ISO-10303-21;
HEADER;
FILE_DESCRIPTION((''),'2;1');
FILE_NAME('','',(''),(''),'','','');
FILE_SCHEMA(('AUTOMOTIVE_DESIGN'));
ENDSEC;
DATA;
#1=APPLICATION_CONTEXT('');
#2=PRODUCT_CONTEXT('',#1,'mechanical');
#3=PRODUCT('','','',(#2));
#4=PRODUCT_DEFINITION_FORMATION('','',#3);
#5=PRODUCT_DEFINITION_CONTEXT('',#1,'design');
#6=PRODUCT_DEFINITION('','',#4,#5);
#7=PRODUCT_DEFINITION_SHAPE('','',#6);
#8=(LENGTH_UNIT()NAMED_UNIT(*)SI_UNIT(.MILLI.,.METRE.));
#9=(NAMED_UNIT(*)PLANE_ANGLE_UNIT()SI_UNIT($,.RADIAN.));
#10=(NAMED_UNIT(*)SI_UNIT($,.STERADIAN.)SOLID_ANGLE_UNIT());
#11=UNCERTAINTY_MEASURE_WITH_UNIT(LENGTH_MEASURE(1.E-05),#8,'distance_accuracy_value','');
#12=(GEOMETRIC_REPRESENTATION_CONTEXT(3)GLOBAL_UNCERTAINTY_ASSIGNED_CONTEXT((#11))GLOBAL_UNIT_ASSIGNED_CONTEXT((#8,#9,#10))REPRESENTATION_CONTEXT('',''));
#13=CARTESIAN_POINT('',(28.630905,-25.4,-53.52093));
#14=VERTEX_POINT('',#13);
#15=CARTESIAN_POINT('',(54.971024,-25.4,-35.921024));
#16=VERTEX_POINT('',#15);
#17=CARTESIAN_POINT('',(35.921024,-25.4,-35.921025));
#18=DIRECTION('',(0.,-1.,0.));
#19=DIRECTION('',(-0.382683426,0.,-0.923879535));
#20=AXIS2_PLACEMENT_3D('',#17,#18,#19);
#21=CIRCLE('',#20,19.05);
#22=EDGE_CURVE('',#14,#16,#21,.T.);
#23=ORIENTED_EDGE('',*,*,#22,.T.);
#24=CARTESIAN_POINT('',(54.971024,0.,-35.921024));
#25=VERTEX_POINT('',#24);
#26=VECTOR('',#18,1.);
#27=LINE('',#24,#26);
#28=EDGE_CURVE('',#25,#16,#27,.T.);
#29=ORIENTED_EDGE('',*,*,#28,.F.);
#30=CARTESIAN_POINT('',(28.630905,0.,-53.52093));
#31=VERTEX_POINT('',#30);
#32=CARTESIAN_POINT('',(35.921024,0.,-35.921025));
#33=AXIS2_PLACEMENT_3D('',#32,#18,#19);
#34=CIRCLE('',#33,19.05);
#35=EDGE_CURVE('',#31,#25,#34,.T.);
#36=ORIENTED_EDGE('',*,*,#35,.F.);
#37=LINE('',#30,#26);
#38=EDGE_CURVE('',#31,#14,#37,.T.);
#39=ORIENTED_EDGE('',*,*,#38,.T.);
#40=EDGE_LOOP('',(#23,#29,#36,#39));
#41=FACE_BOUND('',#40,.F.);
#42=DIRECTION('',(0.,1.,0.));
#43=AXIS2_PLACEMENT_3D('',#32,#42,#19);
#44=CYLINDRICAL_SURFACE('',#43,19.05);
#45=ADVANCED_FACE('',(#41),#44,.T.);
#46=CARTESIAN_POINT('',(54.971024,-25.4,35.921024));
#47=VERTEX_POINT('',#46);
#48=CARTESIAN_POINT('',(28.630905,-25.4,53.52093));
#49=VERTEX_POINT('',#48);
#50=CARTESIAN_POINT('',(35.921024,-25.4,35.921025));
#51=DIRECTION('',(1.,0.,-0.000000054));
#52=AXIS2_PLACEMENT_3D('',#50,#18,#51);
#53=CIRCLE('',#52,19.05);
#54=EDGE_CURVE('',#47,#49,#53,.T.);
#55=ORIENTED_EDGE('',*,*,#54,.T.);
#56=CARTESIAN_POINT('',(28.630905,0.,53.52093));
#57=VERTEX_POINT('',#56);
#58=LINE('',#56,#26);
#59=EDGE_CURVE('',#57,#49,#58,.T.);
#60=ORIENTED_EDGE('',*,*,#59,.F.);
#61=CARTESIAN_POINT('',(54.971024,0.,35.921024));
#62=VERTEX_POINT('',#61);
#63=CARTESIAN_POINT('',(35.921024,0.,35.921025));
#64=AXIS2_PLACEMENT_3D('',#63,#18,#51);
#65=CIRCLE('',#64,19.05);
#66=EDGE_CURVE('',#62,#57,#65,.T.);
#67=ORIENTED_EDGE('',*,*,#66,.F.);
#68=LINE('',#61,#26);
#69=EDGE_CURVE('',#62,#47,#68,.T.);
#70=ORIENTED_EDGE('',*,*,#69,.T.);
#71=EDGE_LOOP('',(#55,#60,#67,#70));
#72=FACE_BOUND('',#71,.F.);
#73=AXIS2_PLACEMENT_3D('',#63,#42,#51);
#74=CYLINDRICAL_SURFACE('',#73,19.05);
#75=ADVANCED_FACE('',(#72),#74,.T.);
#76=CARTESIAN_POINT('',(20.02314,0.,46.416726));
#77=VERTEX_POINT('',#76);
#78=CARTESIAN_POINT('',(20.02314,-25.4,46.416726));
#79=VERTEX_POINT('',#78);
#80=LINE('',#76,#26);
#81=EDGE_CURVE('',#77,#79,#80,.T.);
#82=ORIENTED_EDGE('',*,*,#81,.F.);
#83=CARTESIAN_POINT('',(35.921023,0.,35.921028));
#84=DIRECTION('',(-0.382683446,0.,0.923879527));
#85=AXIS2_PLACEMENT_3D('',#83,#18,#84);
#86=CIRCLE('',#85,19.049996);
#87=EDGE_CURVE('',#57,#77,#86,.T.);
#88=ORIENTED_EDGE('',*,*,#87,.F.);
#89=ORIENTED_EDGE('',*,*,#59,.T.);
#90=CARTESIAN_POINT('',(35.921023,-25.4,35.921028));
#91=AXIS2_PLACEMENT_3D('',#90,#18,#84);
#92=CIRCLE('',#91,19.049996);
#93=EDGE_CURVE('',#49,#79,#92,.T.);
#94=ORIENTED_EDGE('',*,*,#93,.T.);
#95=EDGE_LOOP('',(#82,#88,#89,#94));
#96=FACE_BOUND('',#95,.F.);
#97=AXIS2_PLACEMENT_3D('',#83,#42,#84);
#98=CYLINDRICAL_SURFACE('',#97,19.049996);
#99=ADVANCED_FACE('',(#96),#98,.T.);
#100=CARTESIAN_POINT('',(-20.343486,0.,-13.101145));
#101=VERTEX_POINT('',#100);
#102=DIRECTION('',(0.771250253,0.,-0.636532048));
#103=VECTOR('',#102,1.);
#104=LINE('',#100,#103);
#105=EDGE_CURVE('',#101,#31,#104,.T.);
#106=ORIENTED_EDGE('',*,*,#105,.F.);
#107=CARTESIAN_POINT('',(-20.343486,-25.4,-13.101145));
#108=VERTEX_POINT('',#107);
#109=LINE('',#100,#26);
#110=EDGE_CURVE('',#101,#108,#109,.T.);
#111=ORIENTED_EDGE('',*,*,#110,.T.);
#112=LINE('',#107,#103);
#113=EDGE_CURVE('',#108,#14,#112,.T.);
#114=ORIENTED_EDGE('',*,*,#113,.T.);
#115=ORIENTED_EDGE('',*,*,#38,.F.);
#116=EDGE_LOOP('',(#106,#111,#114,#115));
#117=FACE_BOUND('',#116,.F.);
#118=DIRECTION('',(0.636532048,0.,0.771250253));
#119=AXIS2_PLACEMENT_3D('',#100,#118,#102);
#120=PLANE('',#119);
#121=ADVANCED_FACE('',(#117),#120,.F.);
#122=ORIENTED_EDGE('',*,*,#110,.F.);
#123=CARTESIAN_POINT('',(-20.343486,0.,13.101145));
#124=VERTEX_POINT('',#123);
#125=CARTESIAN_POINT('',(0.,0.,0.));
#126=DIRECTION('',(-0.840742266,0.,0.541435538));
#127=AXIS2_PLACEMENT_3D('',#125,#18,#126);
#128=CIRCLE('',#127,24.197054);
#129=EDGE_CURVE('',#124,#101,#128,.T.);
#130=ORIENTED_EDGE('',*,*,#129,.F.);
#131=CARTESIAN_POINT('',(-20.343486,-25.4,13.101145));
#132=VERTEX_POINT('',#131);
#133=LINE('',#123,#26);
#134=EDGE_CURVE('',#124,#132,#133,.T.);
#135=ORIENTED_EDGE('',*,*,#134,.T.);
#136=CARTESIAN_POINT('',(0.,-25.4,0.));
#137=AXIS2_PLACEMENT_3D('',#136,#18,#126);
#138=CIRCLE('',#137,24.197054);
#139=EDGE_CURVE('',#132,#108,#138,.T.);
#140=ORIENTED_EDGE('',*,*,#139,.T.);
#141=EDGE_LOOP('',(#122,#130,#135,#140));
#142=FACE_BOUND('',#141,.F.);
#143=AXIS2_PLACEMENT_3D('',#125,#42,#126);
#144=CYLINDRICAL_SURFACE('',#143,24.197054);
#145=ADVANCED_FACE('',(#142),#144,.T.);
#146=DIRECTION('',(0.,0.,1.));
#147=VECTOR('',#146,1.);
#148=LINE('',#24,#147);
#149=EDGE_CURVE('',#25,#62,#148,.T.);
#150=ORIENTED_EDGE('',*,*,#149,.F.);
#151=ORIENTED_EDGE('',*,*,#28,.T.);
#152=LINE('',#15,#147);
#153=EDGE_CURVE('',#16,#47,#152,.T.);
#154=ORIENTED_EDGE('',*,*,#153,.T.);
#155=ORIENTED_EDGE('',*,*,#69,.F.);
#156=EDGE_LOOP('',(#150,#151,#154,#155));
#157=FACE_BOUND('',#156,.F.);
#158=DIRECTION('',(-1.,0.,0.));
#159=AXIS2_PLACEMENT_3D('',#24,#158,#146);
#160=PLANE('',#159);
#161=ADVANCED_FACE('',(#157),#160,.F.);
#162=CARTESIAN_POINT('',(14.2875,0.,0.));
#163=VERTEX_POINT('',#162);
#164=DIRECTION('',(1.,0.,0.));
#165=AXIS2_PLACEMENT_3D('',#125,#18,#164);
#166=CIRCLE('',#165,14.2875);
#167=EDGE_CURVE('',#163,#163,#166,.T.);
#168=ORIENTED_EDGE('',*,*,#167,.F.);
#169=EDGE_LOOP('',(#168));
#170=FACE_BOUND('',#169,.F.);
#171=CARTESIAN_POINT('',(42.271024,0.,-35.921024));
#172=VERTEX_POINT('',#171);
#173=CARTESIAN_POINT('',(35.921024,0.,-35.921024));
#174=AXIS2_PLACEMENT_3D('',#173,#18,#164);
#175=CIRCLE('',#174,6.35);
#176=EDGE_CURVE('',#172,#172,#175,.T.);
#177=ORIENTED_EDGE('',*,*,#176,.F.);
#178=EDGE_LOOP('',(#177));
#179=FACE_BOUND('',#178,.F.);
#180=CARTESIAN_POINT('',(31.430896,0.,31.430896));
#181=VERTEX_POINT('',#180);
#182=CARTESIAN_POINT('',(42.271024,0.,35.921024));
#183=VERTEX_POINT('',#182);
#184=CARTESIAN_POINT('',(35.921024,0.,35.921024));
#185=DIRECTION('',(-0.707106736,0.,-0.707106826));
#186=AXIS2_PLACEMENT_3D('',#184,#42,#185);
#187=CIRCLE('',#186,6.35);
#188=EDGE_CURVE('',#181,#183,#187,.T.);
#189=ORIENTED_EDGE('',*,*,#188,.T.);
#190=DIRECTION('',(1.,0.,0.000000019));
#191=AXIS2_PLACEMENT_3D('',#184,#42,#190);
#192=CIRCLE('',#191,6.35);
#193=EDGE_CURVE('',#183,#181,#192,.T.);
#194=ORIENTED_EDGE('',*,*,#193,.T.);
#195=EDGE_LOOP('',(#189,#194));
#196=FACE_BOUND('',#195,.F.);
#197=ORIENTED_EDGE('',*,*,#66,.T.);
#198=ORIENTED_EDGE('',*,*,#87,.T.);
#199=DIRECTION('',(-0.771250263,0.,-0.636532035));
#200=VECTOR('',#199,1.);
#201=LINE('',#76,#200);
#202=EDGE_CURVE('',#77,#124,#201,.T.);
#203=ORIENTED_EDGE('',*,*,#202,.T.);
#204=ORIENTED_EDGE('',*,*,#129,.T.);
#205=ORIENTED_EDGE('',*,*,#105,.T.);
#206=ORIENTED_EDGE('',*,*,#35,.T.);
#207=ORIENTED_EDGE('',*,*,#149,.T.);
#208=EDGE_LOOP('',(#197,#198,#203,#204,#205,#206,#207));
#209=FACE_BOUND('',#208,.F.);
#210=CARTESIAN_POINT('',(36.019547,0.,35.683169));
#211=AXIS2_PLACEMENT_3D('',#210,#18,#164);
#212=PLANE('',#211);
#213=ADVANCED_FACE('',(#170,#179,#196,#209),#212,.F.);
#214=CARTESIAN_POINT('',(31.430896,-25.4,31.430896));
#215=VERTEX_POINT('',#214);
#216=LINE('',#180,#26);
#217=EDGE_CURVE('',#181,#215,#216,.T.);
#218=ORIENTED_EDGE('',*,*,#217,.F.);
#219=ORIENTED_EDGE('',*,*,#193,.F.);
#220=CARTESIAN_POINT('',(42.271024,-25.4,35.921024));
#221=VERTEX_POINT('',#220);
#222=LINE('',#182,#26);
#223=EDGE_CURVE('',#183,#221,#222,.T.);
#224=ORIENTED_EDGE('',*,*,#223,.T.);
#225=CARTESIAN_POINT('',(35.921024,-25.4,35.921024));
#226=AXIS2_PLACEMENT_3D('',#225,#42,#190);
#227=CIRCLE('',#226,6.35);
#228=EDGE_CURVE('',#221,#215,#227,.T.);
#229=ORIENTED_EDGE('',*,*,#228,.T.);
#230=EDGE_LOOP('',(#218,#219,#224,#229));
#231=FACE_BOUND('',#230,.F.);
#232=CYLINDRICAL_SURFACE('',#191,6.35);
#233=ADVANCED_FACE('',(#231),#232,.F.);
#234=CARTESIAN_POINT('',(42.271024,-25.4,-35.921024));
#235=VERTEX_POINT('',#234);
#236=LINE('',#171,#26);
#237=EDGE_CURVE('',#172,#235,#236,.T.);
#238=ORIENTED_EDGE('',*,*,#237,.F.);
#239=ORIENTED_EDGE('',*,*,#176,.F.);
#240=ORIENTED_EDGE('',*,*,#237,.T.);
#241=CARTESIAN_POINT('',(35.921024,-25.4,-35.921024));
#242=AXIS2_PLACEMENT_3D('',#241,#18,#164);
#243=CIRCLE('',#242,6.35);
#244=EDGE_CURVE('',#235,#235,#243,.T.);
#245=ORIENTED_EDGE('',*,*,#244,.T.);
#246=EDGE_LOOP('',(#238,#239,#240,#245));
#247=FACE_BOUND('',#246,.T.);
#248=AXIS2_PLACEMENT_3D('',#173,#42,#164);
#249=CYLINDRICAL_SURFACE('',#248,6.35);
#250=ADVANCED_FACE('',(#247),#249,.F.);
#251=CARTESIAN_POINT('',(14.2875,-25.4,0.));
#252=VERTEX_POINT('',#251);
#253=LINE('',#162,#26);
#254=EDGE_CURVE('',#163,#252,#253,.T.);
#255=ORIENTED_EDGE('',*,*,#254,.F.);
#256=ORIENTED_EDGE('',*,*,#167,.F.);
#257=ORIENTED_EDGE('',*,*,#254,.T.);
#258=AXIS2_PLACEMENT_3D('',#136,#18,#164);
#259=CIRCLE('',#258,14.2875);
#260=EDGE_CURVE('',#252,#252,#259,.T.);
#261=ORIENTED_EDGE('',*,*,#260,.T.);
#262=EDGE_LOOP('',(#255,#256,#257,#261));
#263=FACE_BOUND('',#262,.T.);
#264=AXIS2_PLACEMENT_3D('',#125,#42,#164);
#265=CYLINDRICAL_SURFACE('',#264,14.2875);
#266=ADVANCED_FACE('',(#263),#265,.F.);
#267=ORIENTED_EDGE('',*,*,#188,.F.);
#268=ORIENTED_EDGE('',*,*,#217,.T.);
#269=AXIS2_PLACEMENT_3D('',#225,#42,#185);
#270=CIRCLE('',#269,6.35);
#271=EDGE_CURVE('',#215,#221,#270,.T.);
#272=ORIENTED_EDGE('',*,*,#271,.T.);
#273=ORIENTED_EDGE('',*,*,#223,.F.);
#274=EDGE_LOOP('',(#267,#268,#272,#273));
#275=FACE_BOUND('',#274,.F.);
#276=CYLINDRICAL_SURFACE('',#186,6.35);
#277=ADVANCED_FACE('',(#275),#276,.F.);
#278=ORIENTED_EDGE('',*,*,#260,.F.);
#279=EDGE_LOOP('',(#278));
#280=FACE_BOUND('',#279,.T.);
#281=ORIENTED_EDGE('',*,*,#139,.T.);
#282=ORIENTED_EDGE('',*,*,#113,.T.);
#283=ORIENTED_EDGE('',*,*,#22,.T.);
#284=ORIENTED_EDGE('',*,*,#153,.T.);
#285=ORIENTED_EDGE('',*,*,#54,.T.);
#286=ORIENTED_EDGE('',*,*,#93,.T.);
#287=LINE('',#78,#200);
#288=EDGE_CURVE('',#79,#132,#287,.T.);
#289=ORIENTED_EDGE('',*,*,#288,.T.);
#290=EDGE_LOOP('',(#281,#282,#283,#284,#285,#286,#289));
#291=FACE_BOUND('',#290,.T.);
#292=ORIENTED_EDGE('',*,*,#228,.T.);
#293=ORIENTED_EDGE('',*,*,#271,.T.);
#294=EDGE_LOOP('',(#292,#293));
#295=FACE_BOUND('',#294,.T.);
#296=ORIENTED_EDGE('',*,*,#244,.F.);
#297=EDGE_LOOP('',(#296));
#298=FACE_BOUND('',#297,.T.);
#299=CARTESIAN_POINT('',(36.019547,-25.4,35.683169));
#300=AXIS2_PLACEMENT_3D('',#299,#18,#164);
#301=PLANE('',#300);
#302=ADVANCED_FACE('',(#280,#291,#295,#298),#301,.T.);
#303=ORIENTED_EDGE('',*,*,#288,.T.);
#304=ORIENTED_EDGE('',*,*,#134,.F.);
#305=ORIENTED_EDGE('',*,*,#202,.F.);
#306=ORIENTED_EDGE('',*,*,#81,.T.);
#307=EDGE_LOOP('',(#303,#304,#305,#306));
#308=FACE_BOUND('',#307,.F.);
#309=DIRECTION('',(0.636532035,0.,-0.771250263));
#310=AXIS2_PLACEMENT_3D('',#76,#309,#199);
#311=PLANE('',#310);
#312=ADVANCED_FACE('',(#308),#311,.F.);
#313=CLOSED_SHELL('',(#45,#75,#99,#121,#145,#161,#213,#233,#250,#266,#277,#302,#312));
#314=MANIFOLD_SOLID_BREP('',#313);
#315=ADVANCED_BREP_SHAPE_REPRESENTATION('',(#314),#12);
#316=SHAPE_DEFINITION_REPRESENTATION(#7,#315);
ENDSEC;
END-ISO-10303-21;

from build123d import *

# Parameters (mm, degrees)
F0_R     = 14.2875
F0_R_2   = 6.35
F1_DEPTH = 25.4


with BuildPart() as f1:
    # F0 (on Front) → F1 (new body)
    with BuildSketch(Plane.XZ):
        with BuildLine():
            ThreePointArc((31.430896, 31.430896), (38.351064, 30.054389), (42.271024, 35.921024))
            ThreePointArc((42.271024, 35.921024), (33.490985, 41.78766), (31.430896, 31.430896))
        make_face()
        with BuildLine():
            Line((54.971024, -35.921024), (54.971024, 35.921024))
            ThreePointArc((54.971024, 35.921024), (46.504637, 51.760521), (28.630905, 53.52093))
            Line((28.630905, 53.52093), (20.02314, 46.416726))
            Line((20.02314, 46.416726), (-20.343486, 13.101145))
            ThreePointArc((-20.343486, 13.101145), (-24.197054, 0), (-20.343486, -13.101145))
            Line((-20.343486, -13.101145), (28.630905, -53.52093))
            ThreePointArc((28.630905, -53.52093), (46.504637, -51.760521), (54.971024, -35.921024))
        make_face()
        Circle(F0_R, mode=Mode.SUBTRACT)
        with Locations((35.921024, -35.921024)):
            Circle(F0_R_2, mode=Mode.SUBTRACT)
        with BuildLine():
            ThreePointArc((31.430896, 31.430896), (33.490985, 41.78766), (42.271024, 35.921024))
            ThreePointArc((42.271024, 35.921024), (38.351064, 30.054389), (31.430896, 31.430896))
        make_face(mode=Mode.SUBTRACT)
        with BuildLine():
            Line((20.02314, 46.416726), (28.630905, 53.52093))
            ThreePointArc((28.630905, 53.52093), (23.795089, 50.613342), (20.02314, 46.416726))
        make_face()
    extrude(amount=F1_DEPTH)


solid = f1.part
